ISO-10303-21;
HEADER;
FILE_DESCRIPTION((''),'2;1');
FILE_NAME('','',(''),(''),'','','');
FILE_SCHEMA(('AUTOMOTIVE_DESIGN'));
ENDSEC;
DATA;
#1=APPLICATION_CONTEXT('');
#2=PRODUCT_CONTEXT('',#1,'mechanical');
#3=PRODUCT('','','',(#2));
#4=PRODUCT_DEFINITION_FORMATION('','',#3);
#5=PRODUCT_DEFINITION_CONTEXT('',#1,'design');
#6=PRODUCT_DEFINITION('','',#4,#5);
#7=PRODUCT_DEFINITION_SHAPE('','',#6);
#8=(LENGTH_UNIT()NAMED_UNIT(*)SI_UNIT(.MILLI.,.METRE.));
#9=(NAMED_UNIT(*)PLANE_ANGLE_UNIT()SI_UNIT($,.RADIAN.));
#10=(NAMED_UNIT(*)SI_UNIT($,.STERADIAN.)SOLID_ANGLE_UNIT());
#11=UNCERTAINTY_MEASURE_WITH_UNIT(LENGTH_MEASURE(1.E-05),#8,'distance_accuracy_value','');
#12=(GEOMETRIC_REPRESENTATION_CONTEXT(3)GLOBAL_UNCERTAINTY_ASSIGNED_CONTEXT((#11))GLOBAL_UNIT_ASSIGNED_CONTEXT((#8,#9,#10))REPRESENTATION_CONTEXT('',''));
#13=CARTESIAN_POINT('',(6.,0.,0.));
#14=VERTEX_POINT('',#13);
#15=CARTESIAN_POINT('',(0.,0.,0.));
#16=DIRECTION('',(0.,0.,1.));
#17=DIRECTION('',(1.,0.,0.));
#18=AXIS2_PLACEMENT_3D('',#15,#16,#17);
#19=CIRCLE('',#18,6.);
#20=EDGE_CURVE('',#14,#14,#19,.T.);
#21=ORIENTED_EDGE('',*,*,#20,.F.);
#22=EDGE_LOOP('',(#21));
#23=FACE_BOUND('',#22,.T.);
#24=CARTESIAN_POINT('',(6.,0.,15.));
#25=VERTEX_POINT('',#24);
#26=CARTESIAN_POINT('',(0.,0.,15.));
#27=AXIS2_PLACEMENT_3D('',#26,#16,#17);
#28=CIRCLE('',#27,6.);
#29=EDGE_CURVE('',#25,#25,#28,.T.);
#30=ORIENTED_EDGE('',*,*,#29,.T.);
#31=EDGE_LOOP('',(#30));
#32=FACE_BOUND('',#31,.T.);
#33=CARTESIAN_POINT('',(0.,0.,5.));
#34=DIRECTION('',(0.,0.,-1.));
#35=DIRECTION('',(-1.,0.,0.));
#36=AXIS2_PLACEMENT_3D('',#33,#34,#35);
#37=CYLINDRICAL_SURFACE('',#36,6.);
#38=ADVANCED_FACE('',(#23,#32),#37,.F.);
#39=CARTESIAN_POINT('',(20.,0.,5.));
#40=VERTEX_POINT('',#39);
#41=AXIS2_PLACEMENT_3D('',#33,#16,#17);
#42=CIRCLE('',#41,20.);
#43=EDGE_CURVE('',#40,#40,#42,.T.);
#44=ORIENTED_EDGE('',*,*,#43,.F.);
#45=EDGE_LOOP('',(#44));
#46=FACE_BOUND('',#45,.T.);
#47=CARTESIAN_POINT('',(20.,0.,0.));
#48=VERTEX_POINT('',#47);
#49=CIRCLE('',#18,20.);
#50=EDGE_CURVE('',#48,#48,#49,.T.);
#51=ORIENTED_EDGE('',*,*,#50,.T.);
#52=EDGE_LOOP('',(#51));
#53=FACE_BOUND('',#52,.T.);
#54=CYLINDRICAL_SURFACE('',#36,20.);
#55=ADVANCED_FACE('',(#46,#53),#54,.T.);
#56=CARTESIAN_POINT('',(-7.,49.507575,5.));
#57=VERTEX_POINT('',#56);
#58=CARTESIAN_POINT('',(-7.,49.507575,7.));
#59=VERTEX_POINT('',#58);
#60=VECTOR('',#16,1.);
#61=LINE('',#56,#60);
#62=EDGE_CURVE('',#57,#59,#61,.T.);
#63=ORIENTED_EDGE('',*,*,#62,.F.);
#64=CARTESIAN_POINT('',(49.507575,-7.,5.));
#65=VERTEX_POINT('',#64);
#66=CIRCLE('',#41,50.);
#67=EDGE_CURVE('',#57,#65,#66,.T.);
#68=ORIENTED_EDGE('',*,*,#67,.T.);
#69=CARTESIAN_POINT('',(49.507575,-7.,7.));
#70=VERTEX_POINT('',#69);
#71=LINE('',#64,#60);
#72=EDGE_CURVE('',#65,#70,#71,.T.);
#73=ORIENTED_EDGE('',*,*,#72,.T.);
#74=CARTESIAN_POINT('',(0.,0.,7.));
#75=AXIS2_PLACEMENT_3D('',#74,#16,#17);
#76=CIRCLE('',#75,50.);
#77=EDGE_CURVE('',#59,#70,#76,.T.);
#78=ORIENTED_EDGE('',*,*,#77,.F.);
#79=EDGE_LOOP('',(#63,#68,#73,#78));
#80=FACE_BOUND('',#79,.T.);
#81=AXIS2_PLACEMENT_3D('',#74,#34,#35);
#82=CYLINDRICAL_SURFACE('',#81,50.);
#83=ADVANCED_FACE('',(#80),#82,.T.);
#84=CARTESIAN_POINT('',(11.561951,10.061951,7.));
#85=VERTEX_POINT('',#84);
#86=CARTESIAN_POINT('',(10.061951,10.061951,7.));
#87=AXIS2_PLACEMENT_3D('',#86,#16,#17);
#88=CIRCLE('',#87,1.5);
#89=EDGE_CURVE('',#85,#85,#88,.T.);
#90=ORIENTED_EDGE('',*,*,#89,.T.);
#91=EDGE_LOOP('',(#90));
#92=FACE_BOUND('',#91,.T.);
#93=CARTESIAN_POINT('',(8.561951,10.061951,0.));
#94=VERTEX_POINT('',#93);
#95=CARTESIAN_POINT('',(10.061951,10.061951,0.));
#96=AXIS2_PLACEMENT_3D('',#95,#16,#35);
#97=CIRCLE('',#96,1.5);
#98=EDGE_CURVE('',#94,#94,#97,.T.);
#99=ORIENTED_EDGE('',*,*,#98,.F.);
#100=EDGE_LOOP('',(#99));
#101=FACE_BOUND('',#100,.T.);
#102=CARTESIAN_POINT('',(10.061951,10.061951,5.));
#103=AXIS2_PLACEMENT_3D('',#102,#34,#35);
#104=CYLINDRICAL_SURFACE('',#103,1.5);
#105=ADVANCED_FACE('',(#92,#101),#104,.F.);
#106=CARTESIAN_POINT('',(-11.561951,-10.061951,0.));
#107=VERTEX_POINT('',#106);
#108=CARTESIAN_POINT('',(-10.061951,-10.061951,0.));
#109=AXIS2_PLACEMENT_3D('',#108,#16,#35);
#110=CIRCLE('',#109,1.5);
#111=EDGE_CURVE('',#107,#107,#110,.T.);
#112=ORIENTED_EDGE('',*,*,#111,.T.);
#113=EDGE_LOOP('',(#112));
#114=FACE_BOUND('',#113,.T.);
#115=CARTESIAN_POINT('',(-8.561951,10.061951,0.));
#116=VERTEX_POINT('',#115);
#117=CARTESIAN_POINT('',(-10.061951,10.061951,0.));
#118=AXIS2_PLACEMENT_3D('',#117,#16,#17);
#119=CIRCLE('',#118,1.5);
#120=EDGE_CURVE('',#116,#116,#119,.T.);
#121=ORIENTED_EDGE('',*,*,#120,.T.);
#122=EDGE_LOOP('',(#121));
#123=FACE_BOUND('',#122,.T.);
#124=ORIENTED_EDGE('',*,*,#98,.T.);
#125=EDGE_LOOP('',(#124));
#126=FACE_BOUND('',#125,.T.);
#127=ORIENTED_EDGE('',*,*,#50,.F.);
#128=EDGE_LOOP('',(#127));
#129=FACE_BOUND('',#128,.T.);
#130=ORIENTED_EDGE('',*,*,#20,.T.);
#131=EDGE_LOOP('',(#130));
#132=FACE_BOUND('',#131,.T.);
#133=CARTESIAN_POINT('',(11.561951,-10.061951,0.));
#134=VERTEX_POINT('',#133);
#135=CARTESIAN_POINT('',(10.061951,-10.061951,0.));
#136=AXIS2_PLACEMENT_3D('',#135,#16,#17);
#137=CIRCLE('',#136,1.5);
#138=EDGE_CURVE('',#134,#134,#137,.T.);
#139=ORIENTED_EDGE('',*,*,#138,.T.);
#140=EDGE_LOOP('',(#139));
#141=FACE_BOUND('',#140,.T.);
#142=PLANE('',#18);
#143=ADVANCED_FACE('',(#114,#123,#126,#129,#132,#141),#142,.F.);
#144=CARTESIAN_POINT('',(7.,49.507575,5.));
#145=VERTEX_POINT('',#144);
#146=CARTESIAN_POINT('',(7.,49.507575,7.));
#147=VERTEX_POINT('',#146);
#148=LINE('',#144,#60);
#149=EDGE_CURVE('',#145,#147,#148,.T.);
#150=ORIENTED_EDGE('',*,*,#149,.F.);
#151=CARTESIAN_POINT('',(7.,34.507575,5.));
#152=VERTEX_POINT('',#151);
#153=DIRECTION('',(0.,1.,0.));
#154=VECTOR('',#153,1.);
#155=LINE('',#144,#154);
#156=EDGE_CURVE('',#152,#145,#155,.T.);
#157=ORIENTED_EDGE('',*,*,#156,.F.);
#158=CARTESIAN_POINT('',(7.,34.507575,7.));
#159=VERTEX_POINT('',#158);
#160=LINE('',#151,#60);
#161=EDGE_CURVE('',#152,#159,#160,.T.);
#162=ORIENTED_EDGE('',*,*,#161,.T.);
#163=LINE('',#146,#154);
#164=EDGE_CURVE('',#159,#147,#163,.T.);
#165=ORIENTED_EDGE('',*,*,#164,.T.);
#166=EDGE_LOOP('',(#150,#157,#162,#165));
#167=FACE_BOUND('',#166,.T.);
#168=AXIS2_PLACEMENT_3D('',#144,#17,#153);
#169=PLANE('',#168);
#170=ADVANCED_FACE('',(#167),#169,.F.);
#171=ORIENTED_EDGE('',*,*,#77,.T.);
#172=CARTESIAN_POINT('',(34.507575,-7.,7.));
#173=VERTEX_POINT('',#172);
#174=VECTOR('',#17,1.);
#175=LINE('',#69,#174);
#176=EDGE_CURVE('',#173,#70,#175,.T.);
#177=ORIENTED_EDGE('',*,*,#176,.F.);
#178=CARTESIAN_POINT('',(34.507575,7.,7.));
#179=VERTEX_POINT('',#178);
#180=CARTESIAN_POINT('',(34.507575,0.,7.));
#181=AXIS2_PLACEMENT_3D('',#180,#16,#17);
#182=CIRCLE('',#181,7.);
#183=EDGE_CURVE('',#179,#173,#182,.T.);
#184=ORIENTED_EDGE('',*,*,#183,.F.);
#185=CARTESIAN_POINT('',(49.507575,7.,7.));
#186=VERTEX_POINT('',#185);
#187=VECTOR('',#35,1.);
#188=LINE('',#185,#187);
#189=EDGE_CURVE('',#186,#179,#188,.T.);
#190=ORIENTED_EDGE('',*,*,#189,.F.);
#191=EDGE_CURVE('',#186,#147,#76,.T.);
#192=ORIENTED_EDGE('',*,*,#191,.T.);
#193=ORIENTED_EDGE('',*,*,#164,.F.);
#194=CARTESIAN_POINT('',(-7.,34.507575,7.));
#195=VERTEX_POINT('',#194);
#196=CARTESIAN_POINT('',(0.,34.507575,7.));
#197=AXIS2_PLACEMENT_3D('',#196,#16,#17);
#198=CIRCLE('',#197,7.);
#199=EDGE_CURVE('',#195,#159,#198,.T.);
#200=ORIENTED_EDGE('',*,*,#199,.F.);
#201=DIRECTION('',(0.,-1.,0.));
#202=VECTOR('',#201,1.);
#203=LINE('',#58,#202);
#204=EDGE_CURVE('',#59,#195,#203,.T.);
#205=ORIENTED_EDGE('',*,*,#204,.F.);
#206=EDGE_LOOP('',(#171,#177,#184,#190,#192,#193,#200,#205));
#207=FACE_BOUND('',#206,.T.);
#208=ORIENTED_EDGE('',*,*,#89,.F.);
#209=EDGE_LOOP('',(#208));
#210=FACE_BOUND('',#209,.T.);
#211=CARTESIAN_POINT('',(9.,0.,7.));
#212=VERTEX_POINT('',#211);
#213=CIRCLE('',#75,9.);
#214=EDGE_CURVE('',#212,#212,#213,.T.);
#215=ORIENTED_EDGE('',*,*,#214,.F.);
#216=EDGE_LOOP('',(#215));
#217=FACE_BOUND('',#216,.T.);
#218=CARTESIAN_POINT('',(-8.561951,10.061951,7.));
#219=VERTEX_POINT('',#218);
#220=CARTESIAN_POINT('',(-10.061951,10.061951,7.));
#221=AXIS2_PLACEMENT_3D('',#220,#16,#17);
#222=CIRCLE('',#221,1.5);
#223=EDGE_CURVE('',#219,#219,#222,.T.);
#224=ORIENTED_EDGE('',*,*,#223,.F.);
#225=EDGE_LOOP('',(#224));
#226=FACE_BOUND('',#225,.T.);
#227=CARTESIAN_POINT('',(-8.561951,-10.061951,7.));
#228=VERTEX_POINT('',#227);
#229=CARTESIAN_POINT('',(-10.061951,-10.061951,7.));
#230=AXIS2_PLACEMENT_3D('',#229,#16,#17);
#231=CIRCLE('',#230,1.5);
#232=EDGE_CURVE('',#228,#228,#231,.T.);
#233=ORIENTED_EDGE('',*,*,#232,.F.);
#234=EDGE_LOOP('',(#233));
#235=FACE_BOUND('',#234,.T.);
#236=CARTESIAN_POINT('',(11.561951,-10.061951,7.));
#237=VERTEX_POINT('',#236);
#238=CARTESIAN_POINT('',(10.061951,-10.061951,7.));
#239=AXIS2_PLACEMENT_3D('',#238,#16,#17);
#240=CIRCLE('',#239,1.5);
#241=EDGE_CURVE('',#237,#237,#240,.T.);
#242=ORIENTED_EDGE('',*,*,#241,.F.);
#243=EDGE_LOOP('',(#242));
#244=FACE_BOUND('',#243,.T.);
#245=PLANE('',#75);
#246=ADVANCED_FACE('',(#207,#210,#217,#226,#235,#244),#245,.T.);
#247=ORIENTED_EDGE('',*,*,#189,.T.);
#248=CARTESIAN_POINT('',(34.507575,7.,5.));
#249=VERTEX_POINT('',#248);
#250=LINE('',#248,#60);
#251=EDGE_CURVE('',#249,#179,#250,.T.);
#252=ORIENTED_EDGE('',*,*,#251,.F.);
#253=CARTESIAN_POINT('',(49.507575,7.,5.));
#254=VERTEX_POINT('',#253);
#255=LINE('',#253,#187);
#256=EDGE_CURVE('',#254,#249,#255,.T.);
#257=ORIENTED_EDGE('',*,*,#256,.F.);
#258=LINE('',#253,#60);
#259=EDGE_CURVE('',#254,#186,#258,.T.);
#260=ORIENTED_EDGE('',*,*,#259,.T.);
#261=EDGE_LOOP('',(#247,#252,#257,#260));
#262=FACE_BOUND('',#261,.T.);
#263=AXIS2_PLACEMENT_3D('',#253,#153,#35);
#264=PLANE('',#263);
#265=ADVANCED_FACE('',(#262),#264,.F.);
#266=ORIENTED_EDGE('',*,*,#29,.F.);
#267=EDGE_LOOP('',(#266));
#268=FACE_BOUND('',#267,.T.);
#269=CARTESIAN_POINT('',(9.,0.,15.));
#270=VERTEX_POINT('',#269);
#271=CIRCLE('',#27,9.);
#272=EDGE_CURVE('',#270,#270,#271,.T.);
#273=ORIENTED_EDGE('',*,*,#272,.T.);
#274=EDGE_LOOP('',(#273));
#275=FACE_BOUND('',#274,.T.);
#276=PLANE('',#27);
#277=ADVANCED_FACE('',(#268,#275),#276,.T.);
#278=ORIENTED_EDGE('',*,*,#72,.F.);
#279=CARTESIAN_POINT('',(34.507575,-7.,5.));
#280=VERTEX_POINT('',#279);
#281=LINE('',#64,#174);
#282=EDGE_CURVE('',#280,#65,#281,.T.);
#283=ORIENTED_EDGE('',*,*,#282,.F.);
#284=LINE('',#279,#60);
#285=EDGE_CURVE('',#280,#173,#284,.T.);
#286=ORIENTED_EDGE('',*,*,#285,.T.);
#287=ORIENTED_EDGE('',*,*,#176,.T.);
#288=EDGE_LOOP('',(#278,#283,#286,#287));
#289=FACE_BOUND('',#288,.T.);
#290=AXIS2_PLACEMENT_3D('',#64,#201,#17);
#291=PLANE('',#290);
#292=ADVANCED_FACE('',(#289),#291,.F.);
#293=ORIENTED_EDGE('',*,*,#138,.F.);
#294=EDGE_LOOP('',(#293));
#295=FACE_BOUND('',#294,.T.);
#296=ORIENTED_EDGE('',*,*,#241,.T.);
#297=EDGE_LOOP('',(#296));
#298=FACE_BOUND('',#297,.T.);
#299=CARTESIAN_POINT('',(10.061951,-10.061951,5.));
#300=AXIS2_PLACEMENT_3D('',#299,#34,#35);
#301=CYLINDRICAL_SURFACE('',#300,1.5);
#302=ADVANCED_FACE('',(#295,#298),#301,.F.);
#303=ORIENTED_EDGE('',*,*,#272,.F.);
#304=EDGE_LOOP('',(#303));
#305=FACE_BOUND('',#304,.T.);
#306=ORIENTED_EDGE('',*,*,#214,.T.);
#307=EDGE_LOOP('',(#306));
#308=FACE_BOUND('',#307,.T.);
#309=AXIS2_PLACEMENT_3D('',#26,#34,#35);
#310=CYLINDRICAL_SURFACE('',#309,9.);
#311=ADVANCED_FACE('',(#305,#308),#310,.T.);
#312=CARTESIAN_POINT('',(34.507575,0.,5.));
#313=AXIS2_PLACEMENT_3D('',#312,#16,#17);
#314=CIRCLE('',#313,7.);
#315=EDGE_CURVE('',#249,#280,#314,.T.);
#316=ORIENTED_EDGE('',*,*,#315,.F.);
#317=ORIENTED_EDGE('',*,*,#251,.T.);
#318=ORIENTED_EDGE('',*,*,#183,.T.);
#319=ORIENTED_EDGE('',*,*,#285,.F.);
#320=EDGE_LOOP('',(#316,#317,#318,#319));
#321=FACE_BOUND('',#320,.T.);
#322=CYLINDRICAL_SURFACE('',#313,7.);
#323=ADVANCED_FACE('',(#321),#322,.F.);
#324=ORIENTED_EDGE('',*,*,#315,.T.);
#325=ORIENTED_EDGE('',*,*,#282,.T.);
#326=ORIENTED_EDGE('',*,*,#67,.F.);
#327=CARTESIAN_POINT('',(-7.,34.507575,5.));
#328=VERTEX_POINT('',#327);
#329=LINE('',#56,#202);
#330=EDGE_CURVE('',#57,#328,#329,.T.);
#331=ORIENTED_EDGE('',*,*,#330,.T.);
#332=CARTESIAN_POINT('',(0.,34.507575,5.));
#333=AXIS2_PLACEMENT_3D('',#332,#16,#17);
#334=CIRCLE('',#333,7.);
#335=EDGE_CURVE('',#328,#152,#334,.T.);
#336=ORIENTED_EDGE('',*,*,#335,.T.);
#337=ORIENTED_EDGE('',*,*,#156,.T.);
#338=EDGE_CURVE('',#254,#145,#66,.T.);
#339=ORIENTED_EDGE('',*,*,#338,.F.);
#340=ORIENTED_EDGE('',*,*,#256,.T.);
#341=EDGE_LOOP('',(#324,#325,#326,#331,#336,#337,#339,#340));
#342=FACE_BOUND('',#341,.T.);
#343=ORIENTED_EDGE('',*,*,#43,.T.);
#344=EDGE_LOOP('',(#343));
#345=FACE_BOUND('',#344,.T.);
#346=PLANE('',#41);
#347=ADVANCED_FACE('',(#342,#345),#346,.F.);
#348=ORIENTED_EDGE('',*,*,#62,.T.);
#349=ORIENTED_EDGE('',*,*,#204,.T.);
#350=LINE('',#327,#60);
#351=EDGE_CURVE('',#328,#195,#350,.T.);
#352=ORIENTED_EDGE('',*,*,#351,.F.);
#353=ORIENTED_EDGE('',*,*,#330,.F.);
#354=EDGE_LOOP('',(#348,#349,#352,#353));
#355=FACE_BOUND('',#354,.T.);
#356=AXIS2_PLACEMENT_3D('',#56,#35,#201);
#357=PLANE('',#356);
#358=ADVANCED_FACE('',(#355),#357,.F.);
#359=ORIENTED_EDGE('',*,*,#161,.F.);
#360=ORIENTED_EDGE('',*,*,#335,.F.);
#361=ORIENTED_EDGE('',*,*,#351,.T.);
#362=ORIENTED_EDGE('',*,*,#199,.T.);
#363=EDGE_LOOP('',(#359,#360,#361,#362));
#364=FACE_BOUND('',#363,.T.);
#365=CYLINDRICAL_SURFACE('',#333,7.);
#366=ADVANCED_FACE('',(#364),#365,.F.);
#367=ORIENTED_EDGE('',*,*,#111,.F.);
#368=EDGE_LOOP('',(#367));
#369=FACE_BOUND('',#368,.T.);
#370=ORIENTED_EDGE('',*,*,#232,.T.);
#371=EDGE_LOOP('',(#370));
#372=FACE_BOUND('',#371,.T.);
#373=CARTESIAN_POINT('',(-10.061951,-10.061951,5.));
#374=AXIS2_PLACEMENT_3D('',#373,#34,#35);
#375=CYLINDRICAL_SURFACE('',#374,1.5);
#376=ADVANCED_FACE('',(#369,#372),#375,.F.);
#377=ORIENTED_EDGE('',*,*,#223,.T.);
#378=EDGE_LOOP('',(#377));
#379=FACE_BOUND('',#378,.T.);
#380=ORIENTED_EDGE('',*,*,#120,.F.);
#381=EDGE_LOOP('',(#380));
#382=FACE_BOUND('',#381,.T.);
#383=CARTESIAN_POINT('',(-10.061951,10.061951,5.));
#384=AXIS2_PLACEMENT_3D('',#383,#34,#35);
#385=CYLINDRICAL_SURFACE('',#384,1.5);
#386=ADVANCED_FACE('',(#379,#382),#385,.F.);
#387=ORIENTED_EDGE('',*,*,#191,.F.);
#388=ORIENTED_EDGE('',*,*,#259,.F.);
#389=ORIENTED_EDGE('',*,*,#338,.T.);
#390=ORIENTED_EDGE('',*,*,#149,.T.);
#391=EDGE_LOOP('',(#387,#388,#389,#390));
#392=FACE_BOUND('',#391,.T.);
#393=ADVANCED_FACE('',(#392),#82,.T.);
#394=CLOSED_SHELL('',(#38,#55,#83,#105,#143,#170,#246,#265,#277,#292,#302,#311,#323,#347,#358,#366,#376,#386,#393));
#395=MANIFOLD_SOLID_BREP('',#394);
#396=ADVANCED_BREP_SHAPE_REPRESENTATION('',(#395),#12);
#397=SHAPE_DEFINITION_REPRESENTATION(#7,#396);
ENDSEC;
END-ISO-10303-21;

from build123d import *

# Parameters (mm, degrees)
SKETCH1_R               = 20
SKETCH1_R_2             = 6
SKETCH1_R_3             = 1.5
BOSS_EXTRUDE1_DEPTH     = 5
SKETCH2_R               = 9
SKETCH2_R_2             = 6
BOSS_EXTRUDE2_DEPTH     = 10
SKETCH3_R               = 50
SKETCH3_R_2             = 6
BOSS_EXTRUDE3_DEPTH     = 2
CUT_EXTRUDE1_START      = -2
CUT_EXTRUDE1_DEPTH      = 2
CUT_EXTRUDE2_DEPTH      = 73.284161474
CUT_EXTRUDE2_DEPTH_BACK = 73.284161474
SKETCH5_R               = 1.5


with BuildPart() as part:
    # Sketch1 → Boss-Extrude1 (new body)
    with BuildSketch(Plane.XY):
        Circle(SKETCH1_R)
        Circle(SKETCH1_R_2, mode=Mode.SUBTRACT)
        with Locations((-10.061951403, 10.061951403)):
            Circle(SKETCH1_R_3, mode=Mode.SUBTRACT)
        with Locations(Location((10.061951403, 10.061951403, 0), (0, 0, 180))):
            Circle(SKETCH1_R_3, mode=Mode.SUBTRACT)
        with Locations((10.061951403, -10.061951403)):
            Circle(SKETCH1_R_3, mode=Mode.SUBTRACT)
        with Locations(Location((-10.061951403, -10.061951403, 0), (0, 0, 180))):
            Circle(SKETCH1_R_3, mode=Mode.SUBTRACT)
    extrude(amount=BOSS_EXTRUDE1_DEPTH)

    # Sketch2 → Boss-Extrude2 (add)
    with BuildSketch(Plane.XY.offset(5)):
        Circle(SKETCH2_R)
        Circle(SKETCH2_R_2, mode=Mode.SUBTRACT)
    extrude(amount=BOSS_EXTRUDE2_DEPTH)

    # Sketch3 → Boss-Extrude3 (add)
    with BuildSketch(Plane.XY.offset(5)):
        Circle(SKETCH3_R)
        Circle(SKETCH3_R_2, mode=Mode.SUBTRACT)
    extrude(amount=BOSS_EXTRUDE3_DEPTH)

    # Sketch4 → Cut-Extrude1 (cut)
    with BuildSketch(Plane.XY.offset(7).offset(CUT_EXTRUDE1_START)):
        with BuildLine():
            Line((-7, 49.507575178), (-7, 34.507575178))
            ThreePointArc((-7, 34.507575178), (0, 27.507575178), (7, 34.507575178))
            Line((7, 34.507575178), (7, 49.507575178))
            ThreePointArc((7, 49.507575178), (0, 50), (-7, 49.507575178))
        make_face()
        with BuildLine():
            Line((49.507575178, -7), (34.507575178, -7))
            ThreePointArc((34.507575178, -7), (27.507575178, 0), (34.507575178, 7))
            Line((34.507575178, 7), (49.507575178, 7))
            ThreePointArc((49.507575178, 7), (50, 0), (49.507575178, -7))
        make_face()
    extrude(amount=CUT_EXTRUDE1_DEPTH, mode=Mode.SUBTRACT)

    # Sketch5 → Cut-Extrude2 (cut, two sides: drawn at the far end of the back side and taken through both)
    with BuildSketch(Plane(origin=(0, 0, 0), x_dir=(-1, 0, 0), z_dir=(0, 0, -1)).offset(-CUT_EXTRUDE2_DEPTH_BACK)):
        with Locations((-10.061951403, 10.061951403)):
            Circle(SKETCH5_R)
        with Locations(Location((-10.061951403, -10.061951403, 0), (0, 0, 180))):
            Circle(SKETCH5_R)
        with Locations(Location((10.061951403, 10.061951403, 0), (0, 0, 180))):
            Circle(SKETCH5_R)
        with Locations((10.061951403, -10.061951403)):
            Circle(SKETCH5_R)
    extrude(amount=CUT_EXTRUDE2_DEPTH + CUT_EXTRUDE2_DEPTH_BACK, mode=Mode.SUBTRACT)


solid = part.part
